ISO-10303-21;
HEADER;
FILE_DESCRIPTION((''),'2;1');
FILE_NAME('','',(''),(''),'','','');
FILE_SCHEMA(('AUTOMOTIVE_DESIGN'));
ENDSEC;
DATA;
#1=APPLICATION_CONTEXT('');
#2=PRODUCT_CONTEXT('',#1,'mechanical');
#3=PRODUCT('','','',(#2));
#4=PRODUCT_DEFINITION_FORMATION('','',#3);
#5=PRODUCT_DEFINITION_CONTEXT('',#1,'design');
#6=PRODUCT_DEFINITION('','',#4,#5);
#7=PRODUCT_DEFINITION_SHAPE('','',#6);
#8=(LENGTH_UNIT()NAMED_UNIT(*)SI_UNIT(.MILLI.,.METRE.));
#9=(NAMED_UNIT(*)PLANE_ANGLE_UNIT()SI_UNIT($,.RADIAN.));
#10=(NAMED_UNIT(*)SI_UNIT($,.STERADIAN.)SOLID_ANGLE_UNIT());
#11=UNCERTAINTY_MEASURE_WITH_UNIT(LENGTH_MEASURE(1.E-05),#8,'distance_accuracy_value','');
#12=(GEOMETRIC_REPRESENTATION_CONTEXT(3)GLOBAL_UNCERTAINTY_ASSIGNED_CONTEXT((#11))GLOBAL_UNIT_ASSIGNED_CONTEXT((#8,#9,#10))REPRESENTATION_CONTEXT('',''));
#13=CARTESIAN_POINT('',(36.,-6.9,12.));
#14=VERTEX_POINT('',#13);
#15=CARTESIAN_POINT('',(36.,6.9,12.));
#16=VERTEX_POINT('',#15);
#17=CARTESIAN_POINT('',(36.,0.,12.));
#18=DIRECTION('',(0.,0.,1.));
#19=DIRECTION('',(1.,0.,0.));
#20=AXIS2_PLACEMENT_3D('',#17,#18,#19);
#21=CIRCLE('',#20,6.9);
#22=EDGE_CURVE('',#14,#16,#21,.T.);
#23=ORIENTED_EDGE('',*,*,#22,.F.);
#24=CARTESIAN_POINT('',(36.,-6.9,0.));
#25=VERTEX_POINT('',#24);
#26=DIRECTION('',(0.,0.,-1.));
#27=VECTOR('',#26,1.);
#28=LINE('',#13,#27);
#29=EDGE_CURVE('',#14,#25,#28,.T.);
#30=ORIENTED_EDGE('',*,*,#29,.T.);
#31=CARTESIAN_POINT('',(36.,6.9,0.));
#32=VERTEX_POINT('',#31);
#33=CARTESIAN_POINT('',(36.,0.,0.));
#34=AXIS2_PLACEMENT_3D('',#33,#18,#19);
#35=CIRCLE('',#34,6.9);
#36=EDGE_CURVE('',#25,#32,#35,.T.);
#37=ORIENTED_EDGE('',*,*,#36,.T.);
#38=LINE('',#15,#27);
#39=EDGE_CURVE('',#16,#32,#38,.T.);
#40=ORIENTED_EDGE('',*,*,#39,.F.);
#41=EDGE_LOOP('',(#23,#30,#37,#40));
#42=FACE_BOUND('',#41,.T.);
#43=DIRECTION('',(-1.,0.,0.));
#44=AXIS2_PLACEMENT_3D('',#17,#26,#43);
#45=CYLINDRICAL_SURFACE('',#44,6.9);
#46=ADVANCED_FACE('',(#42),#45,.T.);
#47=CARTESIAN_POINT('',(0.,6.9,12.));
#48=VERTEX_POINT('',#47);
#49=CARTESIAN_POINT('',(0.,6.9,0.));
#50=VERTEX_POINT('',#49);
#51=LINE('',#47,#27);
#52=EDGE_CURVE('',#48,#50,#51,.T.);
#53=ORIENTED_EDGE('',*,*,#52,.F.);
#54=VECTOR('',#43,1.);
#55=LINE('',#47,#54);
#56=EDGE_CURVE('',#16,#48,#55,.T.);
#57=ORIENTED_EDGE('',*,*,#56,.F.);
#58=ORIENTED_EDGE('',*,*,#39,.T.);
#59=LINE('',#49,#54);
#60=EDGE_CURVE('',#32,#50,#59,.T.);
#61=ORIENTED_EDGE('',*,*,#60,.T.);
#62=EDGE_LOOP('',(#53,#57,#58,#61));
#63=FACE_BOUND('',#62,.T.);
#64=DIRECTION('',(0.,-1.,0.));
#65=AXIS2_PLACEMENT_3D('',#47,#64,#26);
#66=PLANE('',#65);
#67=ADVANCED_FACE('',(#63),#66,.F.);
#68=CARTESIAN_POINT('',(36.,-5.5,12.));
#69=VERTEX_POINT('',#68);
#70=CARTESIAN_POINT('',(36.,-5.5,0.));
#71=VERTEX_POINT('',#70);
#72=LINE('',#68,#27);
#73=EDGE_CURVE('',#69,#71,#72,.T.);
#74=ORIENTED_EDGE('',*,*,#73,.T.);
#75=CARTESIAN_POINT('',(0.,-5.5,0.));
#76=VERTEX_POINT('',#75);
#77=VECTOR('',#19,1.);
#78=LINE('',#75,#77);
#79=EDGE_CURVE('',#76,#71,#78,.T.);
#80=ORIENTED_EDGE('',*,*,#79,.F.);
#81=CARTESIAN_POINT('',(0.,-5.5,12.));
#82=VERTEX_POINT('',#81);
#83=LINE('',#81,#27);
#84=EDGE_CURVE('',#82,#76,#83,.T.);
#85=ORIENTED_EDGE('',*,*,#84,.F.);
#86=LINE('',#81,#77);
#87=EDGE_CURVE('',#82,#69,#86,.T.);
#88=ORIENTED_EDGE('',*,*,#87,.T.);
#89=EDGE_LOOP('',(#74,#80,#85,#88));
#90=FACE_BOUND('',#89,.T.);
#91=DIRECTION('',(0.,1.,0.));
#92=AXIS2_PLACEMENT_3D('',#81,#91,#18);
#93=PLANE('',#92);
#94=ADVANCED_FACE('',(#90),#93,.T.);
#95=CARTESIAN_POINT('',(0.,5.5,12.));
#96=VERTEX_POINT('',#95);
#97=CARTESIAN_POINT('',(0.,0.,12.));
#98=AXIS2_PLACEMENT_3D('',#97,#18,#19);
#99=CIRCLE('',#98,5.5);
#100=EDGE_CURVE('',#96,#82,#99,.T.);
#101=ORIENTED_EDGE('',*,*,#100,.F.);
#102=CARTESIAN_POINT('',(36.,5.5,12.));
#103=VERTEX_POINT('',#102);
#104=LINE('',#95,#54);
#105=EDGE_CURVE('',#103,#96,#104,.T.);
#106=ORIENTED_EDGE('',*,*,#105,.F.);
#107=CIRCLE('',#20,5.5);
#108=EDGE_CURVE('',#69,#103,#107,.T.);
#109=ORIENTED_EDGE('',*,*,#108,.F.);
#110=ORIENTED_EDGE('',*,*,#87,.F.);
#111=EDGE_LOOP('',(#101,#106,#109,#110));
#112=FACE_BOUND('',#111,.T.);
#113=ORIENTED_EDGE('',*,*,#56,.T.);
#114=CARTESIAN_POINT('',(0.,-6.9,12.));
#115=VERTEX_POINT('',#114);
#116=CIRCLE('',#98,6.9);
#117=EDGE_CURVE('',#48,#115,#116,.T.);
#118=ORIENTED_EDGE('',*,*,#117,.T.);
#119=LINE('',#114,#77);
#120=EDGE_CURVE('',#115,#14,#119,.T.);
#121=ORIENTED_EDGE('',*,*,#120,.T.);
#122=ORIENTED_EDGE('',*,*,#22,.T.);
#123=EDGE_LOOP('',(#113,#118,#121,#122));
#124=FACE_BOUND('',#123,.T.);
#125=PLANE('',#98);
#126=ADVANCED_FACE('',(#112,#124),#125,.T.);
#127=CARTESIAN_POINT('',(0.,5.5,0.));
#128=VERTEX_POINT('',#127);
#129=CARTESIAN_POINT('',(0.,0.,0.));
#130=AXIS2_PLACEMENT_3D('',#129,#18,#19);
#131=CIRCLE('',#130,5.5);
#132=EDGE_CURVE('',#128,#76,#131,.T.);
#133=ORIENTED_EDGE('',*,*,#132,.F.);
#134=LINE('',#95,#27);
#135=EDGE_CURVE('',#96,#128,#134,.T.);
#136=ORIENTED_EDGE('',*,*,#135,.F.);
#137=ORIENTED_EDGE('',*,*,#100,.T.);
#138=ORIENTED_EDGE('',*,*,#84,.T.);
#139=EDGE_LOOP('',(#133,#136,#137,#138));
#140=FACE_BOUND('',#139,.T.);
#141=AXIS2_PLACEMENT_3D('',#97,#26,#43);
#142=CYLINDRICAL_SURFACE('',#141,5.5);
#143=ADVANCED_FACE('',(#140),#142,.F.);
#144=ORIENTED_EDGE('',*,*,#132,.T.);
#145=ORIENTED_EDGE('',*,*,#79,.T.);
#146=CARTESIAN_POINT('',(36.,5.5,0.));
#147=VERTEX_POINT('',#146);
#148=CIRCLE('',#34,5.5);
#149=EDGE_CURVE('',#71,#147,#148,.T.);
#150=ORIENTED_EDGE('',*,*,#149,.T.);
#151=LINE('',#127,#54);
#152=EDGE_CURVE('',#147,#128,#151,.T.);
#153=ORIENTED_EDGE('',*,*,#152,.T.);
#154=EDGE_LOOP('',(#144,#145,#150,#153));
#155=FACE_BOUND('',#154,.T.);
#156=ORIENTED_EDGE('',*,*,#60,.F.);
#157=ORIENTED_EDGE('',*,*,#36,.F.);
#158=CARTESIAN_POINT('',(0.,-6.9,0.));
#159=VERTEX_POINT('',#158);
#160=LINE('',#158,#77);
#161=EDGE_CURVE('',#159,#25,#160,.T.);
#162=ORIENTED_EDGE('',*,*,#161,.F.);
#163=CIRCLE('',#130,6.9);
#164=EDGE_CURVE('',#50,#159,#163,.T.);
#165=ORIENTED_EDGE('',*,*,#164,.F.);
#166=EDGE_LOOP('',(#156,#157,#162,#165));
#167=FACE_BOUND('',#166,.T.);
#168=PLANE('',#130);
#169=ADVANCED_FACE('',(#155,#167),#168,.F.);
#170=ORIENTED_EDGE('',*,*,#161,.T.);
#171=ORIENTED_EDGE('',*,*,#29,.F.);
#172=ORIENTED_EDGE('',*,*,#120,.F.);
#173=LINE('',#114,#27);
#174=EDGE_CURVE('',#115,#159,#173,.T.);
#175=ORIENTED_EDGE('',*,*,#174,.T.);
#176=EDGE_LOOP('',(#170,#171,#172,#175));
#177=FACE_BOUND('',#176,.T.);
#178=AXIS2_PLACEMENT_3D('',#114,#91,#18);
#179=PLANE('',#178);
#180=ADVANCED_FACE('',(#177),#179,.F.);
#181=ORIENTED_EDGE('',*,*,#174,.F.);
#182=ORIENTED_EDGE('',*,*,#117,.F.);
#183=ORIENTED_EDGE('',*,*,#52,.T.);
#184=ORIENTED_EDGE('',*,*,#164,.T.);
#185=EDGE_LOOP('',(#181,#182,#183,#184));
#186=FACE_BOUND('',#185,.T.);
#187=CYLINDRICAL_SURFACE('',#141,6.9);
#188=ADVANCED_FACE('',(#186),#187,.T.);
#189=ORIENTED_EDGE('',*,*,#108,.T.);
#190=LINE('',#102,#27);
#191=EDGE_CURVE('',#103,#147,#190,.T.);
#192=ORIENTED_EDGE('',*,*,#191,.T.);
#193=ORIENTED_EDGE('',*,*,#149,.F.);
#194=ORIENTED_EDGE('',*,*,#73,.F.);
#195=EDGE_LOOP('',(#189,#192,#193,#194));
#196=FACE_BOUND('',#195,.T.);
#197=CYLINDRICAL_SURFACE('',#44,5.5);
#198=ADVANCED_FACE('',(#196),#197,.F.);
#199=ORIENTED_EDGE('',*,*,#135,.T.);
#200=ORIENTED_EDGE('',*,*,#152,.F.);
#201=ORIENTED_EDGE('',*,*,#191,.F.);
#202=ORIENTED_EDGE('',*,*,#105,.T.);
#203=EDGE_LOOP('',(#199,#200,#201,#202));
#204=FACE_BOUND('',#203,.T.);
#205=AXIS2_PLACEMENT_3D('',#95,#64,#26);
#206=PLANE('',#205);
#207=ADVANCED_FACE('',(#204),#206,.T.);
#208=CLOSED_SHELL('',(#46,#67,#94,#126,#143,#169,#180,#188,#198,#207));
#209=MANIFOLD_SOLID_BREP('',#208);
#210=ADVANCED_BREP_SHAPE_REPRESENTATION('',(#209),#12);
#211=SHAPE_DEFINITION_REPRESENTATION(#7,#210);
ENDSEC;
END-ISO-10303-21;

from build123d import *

# Parameters (mm, degrees)
SALIENTE_EXTRUIR1_DEPTH = 12


with BuildPart() as part:
    # Croquis1 → Saliente-Extruir1 (new body)
    with BuildSketch(Plane.XY):
        with BuildLine():
            Line((0, 6.9), (36, 6.9))
            ThreePointArc((36, 6.9), (42.9, 0), (36, -6.9))
            Line((36, -6.9), (0, -6.9))
            ThreePointArc((0, -6.9), (-6.9, 0), (0, 6.9))
        make_face()
        with BuildLine():
            Line((0, 5.5), (36, 5.5))
            ThreePointArc((36, 5.5), (41.5, 0), (36, -5.5))
            Line((36, -5.5), (0, -5.5))
            ThreePointArc((0, -5.5), (-5.5, 0), (0, 5.5))
        make_face(mode=Mode.SUBTRACT)
    extrude(amount=SALIENTE_EXTRUIR1_DEPTH)


solid = part.part
